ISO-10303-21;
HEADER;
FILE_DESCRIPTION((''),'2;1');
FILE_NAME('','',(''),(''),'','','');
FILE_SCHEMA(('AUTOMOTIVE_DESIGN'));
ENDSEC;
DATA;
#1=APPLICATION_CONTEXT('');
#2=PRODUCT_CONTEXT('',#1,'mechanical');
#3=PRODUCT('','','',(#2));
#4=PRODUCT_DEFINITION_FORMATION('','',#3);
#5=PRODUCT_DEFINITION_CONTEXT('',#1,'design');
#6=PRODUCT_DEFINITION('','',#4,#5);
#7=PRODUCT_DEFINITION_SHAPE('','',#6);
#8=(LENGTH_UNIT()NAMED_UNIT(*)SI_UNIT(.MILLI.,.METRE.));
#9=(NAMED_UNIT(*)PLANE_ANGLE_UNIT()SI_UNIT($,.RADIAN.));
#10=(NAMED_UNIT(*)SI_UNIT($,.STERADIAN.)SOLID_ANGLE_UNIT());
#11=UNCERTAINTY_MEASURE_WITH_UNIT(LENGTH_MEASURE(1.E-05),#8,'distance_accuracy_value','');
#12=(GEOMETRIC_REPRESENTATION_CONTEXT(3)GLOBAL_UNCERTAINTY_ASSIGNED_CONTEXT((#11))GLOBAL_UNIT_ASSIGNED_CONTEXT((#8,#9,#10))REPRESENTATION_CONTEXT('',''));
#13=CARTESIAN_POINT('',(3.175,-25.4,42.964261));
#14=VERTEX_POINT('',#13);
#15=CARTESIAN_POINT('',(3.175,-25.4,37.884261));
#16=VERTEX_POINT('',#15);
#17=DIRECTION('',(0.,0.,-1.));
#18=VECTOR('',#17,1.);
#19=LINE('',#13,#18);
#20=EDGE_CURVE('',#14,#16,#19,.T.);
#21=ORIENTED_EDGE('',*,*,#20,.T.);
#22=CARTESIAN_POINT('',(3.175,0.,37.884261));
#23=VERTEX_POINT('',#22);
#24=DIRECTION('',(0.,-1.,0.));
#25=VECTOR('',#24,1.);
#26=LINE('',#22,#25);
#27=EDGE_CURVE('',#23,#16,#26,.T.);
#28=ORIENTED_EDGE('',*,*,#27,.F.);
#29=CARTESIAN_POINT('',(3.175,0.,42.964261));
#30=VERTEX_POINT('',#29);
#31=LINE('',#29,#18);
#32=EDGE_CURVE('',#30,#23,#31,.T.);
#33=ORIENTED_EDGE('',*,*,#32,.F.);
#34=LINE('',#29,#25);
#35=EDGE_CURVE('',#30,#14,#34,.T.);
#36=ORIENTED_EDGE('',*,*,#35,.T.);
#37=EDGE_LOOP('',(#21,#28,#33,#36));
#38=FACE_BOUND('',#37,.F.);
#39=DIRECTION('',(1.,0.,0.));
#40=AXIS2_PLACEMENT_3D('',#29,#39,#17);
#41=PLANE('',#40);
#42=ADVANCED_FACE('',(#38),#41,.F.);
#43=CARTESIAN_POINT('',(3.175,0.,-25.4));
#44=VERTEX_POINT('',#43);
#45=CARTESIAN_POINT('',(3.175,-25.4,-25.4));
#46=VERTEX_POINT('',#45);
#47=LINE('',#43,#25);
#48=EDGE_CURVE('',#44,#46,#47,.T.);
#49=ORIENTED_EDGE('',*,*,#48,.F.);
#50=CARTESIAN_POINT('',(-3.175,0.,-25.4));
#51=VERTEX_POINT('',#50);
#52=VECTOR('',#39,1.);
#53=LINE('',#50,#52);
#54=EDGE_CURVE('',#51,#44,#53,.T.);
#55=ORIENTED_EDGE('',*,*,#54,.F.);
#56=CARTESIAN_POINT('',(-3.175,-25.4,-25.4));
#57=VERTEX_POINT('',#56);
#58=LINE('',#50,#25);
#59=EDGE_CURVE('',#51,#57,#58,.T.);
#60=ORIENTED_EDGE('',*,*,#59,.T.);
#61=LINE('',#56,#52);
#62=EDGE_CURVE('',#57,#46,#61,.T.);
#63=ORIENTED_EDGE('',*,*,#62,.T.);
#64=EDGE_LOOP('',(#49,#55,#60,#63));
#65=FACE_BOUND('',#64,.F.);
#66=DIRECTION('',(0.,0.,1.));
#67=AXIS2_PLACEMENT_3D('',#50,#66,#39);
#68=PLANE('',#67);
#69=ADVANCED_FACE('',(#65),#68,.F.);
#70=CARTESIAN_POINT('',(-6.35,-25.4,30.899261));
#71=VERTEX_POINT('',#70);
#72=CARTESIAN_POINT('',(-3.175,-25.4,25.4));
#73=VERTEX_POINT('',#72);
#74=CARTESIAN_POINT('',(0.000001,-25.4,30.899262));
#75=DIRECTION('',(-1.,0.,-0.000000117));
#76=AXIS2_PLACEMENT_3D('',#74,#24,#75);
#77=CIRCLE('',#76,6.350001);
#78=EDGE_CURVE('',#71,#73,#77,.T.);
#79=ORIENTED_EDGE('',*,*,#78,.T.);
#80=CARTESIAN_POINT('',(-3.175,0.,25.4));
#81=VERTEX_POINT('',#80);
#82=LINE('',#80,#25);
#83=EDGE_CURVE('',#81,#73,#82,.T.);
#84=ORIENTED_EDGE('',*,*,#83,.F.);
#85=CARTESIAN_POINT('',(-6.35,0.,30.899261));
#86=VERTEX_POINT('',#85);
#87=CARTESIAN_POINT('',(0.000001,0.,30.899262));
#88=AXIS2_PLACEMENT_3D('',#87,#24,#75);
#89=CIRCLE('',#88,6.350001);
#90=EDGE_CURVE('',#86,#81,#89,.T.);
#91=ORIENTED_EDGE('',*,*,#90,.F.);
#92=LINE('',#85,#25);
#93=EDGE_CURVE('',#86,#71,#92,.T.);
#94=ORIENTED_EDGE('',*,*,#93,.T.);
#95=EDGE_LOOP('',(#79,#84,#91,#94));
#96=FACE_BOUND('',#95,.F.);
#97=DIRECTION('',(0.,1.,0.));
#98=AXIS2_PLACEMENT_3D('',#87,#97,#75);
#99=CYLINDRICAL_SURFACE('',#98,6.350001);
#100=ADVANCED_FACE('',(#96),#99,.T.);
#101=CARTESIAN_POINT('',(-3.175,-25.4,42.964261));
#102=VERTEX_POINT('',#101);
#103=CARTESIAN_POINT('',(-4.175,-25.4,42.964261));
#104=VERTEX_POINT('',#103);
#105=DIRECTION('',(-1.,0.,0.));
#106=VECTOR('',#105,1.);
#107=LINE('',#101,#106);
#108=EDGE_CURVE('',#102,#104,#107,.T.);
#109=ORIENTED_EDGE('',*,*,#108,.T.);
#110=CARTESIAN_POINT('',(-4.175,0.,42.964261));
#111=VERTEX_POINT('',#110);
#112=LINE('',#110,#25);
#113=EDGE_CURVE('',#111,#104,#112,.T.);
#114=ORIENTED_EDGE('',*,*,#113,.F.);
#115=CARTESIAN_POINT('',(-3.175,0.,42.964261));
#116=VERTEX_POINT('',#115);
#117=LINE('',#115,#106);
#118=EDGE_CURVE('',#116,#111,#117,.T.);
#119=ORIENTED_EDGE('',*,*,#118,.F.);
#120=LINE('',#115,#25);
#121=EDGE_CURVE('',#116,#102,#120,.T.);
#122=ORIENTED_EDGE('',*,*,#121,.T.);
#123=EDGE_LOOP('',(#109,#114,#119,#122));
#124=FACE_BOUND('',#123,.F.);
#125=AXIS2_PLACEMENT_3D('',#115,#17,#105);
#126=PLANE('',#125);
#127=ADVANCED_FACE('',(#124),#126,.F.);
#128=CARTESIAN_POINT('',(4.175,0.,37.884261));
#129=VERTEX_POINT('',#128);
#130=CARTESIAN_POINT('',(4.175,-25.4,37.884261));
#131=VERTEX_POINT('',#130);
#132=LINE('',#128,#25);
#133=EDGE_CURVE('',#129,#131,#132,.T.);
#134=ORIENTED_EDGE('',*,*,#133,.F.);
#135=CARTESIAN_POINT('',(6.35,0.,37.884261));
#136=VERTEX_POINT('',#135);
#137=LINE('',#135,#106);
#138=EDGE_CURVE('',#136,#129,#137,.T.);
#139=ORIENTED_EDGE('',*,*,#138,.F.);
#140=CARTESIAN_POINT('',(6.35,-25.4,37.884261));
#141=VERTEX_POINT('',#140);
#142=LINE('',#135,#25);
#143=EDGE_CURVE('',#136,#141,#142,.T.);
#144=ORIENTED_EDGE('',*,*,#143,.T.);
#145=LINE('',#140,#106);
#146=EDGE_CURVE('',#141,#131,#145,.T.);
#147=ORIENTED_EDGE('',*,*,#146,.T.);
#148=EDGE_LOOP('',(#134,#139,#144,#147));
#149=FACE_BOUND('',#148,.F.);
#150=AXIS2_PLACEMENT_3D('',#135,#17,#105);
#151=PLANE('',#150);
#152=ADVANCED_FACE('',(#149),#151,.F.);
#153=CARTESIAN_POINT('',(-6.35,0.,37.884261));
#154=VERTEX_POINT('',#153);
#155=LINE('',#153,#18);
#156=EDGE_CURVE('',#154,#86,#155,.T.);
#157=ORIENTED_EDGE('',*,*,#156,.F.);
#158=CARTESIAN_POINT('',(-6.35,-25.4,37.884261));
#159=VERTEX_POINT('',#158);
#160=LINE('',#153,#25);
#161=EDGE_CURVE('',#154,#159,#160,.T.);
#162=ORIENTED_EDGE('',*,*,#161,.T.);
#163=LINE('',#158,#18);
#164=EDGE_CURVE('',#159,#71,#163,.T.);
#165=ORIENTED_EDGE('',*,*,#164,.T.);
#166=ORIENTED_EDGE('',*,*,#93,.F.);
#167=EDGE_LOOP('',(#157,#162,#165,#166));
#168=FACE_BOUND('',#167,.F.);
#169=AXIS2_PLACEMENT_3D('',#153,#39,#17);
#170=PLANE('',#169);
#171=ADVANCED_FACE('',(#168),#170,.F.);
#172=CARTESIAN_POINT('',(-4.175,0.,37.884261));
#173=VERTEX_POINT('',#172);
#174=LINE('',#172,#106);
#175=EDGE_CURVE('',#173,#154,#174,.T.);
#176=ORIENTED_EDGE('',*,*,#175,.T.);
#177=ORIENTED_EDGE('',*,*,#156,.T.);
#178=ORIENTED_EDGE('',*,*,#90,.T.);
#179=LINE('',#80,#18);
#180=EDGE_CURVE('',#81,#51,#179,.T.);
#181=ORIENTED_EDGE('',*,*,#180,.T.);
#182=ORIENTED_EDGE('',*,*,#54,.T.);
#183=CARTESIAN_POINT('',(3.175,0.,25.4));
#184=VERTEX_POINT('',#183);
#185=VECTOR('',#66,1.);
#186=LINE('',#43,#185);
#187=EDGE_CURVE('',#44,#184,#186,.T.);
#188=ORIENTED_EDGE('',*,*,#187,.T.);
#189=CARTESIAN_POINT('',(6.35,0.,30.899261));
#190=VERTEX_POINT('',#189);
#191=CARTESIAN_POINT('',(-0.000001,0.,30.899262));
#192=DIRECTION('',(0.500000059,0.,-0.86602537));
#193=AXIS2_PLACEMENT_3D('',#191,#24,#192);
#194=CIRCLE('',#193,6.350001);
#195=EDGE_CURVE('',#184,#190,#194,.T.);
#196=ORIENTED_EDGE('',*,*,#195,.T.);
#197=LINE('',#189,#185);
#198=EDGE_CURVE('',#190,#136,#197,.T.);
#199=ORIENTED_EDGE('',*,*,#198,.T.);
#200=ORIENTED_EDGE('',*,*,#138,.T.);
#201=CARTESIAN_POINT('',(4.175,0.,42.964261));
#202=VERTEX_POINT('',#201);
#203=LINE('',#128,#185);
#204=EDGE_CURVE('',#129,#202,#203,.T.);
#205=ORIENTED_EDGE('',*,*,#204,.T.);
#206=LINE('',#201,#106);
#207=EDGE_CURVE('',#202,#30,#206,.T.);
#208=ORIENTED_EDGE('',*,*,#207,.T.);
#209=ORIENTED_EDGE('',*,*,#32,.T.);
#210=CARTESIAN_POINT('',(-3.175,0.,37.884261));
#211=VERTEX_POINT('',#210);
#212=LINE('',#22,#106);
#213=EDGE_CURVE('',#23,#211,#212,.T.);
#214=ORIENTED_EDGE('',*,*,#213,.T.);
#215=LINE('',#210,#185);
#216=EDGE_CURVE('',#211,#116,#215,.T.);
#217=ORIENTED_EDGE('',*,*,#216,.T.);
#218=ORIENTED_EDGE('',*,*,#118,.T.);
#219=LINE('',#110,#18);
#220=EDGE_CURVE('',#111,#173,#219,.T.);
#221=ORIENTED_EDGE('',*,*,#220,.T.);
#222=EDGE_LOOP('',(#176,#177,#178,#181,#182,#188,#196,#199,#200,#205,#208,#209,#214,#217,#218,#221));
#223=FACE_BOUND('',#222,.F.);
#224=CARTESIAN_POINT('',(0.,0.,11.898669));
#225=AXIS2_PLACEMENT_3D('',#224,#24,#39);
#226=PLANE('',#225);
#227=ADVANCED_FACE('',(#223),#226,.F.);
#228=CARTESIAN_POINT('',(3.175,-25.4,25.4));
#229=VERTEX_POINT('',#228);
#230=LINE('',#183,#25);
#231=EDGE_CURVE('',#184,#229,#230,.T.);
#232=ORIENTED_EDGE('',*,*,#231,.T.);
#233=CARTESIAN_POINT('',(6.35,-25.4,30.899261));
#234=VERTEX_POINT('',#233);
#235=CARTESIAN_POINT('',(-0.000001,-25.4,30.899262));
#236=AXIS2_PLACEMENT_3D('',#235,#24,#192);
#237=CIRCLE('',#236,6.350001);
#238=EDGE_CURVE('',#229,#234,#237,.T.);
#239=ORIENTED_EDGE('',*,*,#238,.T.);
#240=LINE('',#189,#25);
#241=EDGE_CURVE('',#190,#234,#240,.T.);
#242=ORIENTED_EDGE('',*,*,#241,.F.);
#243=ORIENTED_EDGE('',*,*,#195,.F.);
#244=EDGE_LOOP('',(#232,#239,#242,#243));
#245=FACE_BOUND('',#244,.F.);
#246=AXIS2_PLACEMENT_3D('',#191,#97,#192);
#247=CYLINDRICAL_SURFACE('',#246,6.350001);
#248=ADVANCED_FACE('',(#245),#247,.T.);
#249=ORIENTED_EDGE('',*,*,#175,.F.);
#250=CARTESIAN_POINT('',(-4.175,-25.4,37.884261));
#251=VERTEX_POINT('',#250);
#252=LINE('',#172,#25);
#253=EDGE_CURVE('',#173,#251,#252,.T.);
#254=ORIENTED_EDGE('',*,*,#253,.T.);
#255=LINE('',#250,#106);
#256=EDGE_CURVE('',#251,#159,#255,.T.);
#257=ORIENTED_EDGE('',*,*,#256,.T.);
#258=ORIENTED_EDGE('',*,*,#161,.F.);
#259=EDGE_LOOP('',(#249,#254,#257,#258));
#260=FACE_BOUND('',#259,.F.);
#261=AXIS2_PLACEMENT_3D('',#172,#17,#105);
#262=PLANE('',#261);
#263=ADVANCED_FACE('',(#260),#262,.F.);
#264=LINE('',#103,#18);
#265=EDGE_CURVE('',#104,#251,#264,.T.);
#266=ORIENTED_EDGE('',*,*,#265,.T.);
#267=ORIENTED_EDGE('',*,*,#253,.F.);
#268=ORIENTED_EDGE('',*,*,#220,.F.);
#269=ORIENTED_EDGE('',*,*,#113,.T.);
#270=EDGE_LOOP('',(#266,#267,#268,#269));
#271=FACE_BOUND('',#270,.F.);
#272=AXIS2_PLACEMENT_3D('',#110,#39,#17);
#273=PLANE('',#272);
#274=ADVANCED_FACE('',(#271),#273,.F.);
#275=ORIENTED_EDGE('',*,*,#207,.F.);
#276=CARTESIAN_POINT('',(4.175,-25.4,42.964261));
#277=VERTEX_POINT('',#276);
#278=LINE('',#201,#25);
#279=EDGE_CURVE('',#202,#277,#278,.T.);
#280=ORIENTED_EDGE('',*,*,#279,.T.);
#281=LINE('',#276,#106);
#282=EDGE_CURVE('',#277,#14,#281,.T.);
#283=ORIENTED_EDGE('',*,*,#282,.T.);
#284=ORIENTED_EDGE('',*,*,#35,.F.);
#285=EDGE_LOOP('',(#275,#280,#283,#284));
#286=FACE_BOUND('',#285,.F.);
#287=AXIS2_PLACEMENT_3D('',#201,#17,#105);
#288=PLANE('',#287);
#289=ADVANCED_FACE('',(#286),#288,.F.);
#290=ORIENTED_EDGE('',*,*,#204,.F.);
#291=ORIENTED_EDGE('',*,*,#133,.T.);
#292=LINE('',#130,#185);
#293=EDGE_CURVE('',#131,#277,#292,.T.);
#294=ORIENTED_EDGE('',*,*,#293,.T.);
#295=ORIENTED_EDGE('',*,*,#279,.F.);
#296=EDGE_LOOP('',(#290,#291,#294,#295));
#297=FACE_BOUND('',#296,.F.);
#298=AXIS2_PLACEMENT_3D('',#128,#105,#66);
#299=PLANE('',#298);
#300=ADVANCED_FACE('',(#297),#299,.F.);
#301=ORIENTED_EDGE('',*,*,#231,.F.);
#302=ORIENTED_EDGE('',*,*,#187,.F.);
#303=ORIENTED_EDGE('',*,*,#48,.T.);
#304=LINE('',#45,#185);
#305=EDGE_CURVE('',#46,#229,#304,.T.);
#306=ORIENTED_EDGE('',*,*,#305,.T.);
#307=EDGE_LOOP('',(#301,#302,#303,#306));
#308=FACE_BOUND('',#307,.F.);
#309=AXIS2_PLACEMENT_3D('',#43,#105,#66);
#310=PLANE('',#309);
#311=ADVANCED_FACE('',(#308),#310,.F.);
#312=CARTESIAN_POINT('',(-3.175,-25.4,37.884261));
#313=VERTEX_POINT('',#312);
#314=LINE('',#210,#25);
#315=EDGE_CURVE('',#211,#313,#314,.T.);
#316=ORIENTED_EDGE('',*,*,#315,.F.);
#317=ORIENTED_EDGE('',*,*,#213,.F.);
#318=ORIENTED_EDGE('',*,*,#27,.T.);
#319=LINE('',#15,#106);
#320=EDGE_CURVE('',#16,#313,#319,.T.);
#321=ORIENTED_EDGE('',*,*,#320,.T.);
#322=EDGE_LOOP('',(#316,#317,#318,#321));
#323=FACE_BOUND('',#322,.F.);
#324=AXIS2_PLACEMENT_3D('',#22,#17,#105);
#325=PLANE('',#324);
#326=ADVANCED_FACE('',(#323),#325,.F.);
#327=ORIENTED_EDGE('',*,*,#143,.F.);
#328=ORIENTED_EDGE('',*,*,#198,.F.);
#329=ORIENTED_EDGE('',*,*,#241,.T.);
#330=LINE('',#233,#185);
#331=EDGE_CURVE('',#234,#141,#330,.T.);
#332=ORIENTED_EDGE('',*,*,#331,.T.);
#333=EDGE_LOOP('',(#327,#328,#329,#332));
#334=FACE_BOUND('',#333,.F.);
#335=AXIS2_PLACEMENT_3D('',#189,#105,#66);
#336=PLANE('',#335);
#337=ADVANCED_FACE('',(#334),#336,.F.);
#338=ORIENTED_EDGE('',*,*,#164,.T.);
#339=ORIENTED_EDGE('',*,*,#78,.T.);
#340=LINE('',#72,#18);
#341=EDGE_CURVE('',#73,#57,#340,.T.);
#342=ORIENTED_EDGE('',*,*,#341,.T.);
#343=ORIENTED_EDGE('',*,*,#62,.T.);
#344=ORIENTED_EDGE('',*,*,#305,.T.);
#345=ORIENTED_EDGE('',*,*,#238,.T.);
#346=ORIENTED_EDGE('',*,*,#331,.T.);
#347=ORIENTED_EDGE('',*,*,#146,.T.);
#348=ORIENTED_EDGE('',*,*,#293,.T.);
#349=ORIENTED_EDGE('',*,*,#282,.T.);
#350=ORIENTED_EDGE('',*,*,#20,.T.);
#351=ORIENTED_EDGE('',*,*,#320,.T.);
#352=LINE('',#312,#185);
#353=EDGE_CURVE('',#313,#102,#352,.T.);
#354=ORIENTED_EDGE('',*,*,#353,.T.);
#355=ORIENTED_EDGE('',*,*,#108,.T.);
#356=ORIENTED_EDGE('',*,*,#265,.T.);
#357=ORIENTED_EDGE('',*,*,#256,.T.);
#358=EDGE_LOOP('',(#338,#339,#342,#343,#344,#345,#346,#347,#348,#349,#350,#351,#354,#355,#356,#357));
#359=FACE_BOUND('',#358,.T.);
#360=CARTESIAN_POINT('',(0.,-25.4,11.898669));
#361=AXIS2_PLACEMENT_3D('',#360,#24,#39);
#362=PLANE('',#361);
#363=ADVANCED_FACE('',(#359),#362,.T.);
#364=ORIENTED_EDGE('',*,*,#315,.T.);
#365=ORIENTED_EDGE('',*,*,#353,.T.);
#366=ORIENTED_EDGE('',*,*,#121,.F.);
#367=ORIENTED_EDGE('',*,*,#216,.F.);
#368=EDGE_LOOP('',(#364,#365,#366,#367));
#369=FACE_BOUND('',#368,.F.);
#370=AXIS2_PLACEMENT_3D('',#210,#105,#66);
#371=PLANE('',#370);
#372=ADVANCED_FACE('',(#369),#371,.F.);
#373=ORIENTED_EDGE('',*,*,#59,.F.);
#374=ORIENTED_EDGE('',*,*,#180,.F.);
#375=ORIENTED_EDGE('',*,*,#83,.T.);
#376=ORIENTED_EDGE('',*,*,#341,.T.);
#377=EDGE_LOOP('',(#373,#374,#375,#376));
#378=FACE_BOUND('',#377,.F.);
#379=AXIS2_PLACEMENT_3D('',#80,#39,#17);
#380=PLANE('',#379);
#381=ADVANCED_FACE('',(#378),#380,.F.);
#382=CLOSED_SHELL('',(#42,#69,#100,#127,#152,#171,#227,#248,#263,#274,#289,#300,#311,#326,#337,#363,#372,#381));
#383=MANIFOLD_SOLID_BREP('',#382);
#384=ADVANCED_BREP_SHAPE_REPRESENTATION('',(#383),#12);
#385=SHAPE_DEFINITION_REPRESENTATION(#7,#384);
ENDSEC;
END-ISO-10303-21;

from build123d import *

# Parameters (mm, degrees)
F1_DEPTH = 25.4


with BuildPart() as f1:
    # F0 (on Front) → F1 (new body)
    with BuildSketch(Plane.XZ):
        with BuildLine():
            Line((-3.175, 25.4), (-3.175, -25.4))
            Line((-3.175, -25.4), (3.175, -25.4))
            Line((3.175, -25.4), (3.175, 25.4))
            ThreePointArc((3.175, 25.4), (5.499261, 27.724261), (6.35, 30.899261))
            Line((6.35, 30.899261), (6.35, 37.884261))
            Line((6.35, 37.884261), (4.175, 37.884261))
            Line((4.175, 37.884261), (4.175, 42.964261))
            Line((4.175, 42.964261), (3.175, 42.964261))
            Line((3.175, 42.964261), (3.175, 37.884261))
            Line((3.175, 37.884261), (-3.175, 37.884261))
            Line((-3.175, 37.884261), (-3.175, 42.964261))
            Line((-3.175, 42.964261), (-4.175, 42.964261))
            Line((-4.175, 42.964261), (-4.175, 37.884261))
            Line((-4.175, 37.884261), (-6.35, 37.884261))
            Line((-6.35, 37.884261), (-6.35, 30.899261))
            ThreePointArc((-6.35, 30.899261), (-5.499261, 27.724261), (-3.175, 25.4))
        make_face()
    extrude(amount=F1_DEPTH)


solid = f1.part
